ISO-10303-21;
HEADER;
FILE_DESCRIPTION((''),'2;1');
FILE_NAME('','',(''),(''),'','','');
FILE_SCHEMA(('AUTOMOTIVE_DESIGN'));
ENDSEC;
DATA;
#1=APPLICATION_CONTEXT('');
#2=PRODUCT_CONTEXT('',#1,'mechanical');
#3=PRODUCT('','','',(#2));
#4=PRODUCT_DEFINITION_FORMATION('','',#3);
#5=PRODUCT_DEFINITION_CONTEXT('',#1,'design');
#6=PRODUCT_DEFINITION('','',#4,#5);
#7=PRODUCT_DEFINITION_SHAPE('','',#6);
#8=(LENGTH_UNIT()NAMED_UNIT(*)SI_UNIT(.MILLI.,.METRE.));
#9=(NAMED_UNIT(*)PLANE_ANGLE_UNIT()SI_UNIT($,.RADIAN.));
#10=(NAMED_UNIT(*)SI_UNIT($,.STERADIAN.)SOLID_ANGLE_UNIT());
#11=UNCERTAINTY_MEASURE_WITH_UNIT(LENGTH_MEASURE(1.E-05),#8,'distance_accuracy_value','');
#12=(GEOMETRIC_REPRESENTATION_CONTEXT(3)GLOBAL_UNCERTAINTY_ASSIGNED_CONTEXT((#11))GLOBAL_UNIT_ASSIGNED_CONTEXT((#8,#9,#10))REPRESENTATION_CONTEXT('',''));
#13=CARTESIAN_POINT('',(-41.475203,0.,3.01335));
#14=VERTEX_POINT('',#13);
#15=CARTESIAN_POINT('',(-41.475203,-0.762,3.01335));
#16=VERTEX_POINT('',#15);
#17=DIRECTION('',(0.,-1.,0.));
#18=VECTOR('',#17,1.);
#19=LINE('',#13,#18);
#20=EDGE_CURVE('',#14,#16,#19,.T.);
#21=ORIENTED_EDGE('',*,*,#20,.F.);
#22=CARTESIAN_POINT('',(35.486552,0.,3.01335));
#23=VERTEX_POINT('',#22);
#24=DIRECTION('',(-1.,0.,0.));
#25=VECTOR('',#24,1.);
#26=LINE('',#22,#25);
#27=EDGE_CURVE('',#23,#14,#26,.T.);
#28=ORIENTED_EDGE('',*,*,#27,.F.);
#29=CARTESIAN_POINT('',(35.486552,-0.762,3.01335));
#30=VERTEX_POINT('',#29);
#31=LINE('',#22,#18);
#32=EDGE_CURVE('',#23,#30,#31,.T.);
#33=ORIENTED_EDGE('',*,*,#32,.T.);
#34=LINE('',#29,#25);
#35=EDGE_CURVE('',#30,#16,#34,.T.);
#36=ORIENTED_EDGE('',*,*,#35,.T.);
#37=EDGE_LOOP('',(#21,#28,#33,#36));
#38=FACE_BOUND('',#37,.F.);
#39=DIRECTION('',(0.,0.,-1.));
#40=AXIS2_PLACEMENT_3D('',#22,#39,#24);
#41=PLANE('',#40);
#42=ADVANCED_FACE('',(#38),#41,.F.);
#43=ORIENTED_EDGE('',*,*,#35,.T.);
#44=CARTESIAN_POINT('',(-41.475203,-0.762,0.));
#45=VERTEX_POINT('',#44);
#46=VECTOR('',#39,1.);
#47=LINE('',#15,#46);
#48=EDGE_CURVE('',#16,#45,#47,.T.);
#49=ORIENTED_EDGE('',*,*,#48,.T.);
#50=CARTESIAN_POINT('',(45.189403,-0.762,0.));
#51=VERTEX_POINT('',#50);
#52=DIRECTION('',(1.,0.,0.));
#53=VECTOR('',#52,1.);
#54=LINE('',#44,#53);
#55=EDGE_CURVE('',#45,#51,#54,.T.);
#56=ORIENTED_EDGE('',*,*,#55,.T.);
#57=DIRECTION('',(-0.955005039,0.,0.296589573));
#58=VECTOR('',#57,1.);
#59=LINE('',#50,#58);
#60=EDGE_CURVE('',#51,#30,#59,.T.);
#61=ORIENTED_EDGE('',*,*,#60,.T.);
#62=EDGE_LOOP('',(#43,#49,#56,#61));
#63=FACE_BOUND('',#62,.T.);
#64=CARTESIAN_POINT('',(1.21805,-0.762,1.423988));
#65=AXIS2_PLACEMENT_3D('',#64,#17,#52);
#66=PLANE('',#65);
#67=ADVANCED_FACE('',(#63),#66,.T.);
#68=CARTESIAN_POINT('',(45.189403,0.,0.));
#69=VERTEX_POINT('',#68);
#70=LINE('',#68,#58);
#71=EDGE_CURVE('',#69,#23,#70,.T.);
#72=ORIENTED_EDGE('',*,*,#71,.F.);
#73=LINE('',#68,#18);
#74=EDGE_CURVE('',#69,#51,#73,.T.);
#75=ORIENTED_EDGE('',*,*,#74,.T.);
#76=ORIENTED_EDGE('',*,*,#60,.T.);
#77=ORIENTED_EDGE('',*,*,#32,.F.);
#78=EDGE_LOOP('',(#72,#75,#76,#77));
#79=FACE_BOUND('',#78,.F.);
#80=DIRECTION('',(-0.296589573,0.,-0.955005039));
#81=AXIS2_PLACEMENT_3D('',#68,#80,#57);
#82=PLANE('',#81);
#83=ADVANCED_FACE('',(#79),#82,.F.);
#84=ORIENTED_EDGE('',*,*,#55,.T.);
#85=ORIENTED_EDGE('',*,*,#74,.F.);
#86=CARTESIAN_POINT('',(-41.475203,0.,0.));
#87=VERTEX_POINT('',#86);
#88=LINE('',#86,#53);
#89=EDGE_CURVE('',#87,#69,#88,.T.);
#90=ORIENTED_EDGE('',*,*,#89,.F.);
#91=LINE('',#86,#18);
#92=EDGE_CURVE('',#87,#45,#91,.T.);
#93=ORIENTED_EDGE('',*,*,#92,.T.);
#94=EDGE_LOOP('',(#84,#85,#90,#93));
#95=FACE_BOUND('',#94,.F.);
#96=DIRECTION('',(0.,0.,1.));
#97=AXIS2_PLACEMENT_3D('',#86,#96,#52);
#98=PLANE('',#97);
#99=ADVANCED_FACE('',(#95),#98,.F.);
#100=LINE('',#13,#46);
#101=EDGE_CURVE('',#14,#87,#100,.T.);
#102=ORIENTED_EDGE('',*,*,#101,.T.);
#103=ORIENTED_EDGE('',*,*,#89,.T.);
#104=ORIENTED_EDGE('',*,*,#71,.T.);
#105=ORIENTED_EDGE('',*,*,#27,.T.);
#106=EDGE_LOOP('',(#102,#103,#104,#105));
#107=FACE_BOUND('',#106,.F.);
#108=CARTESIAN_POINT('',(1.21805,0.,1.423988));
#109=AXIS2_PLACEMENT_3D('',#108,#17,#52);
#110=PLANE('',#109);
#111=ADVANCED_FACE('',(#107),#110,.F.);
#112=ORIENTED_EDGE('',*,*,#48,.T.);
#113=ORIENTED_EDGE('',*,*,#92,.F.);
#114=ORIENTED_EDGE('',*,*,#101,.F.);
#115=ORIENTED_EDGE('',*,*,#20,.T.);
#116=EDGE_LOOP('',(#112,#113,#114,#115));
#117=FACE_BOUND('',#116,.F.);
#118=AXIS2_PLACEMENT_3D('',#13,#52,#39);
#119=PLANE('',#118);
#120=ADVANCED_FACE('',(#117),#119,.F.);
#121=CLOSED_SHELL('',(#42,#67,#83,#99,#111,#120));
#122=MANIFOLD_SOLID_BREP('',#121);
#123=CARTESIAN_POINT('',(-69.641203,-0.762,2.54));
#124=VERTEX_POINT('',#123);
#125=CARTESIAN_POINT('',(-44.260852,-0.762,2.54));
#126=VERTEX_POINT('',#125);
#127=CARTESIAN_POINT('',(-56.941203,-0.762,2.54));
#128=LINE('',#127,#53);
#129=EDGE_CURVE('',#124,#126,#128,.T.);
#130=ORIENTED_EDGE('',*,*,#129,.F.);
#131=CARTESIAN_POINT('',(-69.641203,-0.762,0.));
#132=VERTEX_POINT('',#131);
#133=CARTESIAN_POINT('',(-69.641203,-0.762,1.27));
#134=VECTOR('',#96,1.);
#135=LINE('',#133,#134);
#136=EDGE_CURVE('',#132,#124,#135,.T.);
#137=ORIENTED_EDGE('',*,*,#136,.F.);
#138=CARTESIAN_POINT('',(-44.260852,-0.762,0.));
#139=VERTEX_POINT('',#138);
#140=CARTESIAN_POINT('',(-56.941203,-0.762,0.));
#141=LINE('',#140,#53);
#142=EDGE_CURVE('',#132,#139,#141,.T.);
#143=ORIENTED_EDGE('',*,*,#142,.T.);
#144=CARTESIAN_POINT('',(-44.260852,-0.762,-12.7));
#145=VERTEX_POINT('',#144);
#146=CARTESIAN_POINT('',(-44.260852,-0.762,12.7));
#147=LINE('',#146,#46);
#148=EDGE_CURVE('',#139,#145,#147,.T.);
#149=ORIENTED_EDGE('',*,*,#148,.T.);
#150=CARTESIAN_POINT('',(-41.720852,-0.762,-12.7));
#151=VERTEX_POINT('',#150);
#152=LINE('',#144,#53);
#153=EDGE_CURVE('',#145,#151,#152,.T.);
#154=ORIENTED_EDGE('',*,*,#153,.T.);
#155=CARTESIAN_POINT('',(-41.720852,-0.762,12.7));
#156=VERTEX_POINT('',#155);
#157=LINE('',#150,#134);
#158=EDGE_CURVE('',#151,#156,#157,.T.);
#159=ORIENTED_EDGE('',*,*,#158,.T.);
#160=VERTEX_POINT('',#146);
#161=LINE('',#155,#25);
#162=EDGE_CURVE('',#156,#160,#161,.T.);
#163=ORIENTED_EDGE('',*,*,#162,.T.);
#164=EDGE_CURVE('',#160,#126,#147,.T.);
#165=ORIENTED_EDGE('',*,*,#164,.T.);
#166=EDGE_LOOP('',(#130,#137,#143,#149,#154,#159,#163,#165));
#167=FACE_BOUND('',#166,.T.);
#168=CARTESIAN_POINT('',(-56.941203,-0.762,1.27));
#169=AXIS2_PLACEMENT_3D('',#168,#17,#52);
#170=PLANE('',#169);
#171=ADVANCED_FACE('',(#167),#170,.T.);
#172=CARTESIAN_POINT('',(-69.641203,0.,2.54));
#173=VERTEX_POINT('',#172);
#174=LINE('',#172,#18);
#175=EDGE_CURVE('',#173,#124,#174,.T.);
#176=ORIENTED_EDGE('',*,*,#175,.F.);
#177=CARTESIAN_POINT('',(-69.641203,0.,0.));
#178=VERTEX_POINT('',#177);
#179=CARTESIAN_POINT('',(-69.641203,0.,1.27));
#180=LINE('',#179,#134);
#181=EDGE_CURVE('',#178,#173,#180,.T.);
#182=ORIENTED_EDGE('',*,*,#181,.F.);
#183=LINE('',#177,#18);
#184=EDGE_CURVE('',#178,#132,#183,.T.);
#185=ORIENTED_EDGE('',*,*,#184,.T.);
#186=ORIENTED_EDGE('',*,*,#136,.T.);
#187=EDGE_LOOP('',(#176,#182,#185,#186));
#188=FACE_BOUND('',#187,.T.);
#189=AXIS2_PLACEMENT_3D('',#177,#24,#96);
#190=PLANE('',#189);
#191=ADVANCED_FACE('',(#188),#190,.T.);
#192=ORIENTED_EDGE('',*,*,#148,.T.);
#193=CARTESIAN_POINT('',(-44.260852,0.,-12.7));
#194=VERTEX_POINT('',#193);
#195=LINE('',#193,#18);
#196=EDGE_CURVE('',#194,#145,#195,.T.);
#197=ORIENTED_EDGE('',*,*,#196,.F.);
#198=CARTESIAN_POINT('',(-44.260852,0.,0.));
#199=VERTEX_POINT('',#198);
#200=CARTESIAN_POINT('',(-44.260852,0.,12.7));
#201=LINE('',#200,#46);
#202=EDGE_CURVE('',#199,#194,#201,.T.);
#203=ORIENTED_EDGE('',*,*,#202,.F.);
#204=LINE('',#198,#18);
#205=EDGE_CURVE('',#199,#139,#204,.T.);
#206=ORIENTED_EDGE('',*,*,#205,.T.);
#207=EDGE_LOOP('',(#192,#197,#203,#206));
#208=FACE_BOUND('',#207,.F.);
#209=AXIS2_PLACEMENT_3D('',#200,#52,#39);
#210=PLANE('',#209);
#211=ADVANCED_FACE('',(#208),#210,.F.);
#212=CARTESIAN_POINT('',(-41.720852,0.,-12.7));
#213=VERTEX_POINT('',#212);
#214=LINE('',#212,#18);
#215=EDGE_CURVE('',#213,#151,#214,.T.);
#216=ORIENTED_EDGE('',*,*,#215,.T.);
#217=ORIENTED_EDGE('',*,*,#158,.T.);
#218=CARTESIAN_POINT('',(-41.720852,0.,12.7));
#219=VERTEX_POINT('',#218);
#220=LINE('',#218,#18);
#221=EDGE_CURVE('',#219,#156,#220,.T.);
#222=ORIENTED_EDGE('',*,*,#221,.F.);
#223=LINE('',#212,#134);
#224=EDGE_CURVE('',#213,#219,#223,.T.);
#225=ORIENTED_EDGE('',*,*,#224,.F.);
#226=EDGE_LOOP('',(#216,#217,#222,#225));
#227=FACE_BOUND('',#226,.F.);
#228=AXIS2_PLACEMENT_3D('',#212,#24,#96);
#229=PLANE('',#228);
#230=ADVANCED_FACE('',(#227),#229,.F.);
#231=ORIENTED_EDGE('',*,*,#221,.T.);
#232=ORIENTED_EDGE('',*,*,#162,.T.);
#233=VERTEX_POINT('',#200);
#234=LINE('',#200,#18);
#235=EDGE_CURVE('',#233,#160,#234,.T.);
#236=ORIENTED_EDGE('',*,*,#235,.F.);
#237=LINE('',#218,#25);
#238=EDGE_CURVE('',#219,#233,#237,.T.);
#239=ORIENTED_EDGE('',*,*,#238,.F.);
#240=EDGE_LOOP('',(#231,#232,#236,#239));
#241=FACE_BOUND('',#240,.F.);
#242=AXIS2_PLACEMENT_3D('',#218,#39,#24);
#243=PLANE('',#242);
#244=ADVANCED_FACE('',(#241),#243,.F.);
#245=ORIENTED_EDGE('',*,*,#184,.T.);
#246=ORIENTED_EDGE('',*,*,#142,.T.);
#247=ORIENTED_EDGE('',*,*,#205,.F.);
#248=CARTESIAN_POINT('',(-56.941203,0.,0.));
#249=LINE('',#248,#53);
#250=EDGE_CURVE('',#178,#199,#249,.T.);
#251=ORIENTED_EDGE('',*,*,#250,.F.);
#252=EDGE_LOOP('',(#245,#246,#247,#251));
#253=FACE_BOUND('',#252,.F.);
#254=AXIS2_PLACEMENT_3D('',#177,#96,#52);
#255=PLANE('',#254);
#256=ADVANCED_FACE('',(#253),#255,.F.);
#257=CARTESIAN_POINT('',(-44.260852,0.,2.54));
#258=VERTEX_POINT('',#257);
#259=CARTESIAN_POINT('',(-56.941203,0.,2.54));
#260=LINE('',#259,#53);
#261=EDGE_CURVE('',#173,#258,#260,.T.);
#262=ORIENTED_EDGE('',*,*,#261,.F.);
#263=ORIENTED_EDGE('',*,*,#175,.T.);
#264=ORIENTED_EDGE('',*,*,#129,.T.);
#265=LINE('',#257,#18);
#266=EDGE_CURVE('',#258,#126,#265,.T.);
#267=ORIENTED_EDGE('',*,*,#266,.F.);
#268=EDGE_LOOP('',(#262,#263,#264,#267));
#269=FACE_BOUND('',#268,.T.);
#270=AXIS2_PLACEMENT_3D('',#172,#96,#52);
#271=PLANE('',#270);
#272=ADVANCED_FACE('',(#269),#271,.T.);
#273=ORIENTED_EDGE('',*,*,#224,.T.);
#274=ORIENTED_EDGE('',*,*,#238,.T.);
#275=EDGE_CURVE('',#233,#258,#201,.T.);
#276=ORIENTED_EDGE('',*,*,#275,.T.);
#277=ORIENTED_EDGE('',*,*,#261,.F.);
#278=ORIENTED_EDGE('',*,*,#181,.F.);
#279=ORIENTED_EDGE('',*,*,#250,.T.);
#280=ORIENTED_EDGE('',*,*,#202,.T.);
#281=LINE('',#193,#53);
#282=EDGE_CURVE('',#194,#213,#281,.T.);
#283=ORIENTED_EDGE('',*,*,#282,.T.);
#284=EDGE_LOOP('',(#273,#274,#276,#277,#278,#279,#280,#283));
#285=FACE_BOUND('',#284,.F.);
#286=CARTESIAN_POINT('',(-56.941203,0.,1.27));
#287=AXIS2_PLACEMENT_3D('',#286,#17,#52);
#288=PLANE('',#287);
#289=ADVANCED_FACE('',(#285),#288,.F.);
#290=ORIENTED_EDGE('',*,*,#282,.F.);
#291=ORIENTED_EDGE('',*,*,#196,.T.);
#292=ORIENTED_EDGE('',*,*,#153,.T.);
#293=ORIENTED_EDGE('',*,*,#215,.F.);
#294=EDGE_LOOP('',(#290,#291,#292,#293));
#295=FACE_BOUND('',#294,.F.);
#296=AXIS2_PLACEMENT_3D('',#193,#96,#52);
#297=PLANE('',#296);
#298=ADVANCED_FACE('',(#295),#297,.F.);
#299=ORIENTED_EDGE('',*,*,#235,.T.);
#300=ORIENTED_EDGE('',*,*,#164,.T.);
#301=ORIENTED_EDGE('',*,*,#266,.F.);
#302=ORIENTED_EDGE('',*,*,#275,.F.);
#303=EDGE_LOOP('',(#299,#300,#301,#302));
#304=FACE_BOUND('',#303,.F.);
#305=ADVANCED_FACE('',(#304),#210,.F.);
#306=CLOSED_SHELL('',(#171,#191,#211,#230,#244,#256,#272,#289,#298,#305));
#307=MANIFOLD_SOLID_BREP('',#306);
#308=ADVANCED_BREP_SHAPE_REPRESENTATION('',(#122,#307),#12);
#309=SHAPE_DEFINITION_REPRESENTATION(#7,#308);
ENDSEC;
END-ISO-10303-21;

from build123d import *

# Parameters (mm, degrees)
F3_DEPTH = 0.762
F4_DEPTH = 0.762
F0_W     = 25.4
F0_H     = 2.54
F5_DEPTH = 0.762


with BuildPart() as f3:
    # F2 (on Front) → F3 (new body)
    with BuildSketch(Plane.XZ):
        Polygon((-41.475203, 3.01335), (-41.475203, 0), (34.724797, 0), (45.189403, 0), (35.486552, 3.01335), align=None)
    extrude(amount=F3_DEPTH)


with BuildPart() as f4:
    # F1 (on Front) → F4 (new body)
    with BuildSketch(Plane.XZ):
        Polygon((-44.260852, 12.7), (-44.260852, 0), (-44.260852, -12.7), (-41.720852, -12.7), (-41.720852, 12.7), align=None)
    extrude(amount=F4_DEPTH)

    # F0 (on Front) → F5 (join)
    with BuildSketch(Plane.XZ):
        with Locations((-56.941203, 1.27)):
            Rectangle(F0_W, F0_H)
    extrude(amount=F5_DEPTH)


solid = Compound([f3.part, f4.part])
